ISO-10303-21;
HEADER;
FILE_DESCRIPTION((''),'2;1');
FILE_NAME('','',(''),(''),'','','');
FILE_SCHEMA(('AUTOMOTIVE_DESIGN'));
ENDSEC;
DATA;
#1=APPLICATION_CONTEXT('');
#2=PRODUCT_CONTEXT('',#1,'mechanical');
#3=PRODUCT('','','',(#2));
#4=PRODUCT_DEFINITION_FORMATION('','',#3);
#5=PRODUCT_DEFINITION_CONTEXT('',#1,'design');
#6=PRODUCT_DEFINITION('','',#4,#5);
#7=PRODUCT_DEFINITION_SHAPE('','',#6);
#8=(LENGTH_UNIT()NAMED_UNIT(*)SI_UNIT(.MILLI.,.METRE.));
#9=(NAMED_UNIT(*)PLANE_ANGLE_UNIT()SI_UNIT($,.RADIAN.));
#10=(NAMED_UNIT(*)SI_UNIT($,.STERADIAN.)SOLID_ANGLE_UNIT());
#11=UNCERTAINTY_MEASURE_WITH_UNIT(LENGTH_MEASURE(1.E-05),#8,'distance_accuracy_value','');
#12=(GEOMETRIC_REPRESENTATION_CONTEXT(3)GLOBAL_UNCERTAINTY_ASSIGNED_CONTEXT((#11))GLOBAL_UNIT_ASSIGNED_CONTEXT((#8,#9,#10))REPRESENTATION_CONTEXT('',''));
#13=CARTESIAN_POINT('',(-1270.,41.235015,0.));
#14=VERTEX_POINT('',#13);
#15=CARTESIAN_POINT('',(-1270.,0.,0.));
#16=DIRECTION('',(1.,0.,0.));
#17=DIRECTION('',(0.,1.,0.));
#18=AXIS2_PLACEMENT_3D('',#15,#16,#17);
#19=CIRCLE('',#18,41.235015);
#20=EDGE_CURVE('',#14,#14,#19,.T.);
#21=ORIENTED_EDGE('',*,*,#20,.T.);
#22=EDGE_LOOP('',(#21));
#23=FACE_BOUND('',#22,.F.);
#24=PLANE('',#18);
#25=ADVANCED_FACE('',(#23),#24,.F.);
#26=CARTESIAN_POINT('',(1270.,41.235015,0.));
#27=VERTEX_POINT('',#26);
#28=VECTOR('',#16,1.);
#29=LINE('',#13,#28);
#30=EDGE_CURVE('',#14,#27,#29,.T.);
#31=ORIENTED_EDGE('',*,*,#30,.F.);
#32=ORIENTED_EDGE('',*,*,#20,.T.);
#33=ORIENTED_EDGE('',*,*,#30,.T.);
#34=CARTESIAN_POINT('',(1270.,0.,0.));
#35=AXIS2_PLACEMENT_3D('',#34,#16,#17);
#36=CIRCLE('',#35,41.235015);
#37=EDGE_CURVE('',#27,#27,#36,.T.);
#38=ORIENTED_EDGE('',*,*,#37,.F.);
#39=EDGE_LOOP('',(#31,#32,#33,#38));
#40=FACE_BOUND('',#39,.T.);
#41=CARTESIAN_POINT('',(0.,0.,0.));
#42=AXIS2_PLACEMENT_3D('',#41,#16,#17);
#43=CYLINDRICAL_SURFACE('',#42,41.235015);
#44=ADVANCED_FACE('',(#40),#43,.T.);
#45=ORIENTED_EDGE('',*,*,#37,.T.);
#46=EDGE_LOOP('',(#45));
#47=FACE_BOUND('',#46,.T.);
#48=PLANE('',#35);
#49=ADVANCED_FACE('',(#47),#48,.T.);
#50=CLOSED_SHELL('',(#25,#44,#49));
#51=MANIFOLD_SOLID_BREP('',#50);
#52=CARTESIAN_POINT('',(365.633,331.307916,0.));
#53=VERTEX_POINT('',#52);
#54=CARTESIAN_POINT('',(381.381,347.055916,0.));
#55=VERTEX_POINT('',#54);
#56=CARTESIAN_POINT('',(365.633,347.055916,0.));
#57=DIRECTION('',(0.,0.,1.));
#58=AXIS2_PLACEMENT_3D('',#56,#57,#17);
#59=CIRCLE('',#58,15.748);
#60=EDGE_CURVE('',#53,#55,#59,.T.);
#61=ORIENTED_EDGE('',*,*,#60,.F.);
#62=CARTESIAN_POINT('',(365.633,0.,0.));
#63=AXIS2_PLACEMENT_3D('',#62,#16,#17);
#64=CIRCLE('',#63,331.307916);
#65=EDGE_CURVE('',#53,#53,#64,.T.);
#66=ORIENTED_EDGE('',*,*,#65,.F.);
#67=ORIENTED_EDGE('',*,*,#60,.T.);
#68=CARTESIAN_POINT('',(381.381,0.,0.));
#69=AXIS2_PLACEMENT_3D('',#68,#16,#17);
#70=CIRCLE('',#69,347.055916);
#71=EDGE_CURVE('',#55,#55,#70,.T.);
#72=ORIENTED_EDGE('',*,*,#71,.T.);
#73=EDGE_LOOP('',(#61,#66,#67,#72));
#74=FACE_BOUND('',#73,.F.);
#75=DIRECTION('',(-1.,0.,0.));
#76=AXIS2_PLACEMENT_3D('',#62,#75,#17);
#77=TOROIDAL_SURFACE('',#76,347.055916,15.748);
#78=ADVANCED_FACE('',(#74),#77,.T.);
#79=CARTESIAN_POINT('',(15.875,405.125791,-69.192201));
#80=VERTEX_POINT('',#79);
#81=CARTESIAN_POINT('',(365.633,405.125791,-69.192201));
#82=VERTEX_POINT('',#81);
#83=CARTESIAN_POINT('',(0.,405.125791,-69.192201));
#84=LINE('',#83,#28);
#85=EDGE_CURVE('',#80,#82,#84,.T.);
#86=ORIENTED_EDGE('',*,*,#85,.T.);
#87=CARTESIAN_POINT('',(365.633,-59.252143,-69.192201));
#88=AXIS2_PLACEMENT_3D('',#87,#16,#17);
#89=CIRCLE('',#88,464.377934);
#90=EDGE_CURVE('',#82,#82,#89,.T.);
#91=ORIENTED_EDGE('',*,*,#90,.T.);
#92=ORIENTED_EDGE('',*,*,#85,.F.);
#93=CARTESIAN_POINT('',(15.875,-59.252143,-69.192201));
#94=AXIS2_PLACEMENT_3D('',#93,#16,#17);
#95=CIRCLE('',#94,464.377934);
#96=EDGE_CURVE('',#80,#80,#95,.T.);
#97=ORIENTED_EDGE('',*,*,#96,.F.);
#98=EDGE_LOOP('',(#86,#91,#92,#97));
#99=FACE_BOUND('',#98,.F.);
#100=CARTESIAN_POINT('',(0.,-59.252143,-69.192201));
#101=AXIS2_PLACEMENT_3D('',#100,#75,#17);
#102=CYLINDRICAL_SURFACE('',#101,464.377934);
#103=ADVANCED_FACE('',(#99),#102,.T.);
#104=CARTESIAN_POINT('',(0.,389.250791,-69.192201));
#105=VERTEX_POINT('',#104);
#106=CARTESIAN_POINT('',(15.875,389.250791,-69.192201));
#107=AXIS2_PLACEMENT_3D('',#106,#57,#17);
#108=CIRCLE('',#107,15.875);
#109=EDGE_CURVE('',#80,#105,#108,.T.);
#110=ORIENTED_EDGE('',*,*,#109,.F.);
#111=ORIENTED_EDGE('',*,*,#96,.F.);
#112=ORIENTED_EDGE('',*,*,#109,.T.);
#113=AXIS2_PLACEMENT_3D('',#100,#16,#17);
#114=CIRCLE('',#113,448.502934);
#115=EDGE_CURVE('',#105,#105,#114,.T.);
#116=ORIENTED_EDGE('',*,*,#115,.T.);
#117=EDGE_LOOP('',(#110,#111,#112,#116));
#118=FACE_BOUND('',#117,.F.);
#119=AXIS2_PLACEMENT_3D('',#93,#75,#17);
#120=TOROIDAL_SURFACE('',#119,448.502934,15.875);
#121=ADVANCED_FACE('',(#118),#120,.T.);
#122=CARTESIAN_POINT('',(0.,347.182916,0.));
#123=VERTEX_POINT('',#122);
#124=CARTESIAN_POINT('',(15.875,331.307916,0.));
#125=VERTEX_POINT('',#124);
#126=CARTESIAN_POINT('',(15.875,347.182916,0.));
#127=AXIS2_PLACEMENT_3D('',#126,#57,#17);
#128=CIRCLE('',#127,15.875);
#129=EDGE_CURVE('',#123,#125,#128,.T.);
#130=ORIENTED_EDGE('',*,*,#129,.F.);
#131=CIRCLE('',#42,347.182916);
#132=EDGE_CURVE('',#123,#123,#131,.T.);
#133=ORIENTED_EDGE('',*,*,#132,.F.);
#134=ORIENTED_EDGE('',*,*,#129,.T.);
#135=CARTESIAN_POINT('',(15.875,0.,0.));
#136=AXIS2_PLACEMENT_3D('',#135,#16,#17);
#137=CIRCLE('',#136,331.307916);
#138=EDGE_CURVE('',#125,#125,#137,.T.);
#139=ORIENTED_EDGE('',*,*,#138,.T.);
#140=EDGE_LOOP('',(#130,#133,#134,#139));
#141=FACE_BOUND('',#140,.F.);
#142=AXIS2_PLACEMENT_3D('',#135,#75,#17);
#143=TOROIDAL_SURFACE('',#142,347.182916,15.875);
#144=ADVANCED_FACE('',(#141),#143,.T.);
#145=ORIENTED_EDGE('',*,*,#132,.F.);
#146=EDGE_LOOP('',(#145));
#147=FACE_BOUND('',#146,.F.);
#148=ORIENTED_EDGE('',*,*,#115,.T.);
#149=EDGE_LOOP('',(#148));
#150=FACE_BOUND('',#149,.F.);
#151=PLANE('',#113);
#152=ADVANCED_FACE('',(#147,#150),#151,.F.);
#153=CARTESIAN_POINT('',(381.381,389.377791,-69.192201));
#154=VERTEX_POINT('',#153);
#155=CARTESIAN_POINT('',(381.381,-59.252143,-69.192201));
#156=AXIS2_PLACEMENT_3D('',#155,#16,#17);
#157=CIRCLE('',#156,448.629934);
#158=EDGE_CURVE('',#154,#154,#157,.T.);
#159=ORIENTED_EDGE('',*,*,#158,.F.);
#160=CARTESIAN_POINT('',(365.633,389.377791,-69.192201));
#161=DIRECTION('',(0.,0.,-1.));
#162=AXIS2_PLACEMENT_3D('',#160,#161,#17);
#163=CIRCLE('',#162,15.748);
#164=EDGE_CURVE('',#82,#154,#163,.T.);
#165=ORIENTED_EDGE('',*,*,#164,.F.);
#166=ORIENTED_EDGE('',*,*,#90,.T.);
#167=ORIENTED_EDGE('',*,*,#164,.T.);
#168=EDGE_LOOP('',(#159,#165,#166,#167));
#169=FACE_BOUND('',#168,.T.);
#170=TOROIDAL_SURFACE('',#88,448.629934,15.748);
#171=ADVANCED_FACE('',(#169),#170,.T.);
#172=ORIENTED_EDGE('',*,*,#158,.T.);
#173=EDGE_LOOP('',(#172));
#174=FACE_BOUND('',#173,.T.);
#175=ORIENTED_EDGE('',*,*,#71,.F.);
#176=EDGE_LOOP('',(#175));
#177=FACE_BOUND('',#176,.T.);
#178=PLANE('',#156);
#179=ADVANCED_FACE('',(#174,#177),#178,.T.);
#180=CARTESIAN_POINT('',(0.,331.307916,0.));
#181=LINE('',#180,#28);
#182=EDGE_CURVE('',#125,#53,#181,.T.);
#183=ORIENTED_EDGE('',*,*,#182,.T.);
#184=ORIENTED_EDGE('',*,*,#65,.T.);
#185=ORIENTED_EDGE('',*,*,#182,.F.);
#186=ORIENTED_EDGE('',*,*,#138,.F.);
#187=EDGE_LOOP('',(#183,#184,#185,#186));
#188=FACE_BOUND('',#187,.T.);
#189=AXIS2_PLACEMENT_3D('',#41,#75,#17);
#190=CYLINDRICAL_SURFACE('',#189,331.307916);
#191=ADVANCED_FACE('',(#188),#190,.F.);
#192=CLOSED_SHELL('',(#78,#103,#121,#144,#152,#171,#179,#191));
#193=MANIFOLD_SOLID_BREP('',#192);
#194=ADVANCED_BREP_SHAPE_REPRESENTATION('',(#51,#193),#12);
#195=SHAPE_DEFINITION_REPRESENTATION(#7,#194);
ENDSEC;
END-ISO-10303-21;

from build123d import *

# Parameters (mm, degrees)
F0_R     = 464.377934
F0_R_2   = 331.307916
F1_DEPTH = 381.381
F2_R     = 15.748
F3_R     = 15.875
F4_R     = 41.235015
F5_DEPTH = 1270


with BuildPart() as f1:
    # F0 (on Right) → F1 (new body)
    with BuildSketch(Plane.YZ):
        with Locations((-59.252143, -69.192201)):
            Circle(F0_R)
        Circle(F0_R_2, mode=Mode.SUBTRACT)
    extrude(amount=F1_DEPTH)

    # F2
    f2_edges = [f1.edges().sort_by_distance(p)[0] for p in [
        (381.381, -523.630077, -69.192201),
        (381.381, -331.307916, 0),
    ]]
    fillet(f2_edges, radius=F2_R)

    # F3
    f3_edges = [f1.edges().sort_by_distance(p)[0] for p in [
        (0, -523.630077, -69.192201),
        (0, -331.307916, 0),
    ]]
    fillet(f3_edges, radius=F3_R)


with BuildPart() as f5:
    # F4 (on face) → F5 (new body, symmetric)
    with BuildSketch(Plane.YZ):
        Circle(F4_R)
    extrude(amount=F5_DEPTH, both=True)


solid = Compound([f1.part, f5.part])
